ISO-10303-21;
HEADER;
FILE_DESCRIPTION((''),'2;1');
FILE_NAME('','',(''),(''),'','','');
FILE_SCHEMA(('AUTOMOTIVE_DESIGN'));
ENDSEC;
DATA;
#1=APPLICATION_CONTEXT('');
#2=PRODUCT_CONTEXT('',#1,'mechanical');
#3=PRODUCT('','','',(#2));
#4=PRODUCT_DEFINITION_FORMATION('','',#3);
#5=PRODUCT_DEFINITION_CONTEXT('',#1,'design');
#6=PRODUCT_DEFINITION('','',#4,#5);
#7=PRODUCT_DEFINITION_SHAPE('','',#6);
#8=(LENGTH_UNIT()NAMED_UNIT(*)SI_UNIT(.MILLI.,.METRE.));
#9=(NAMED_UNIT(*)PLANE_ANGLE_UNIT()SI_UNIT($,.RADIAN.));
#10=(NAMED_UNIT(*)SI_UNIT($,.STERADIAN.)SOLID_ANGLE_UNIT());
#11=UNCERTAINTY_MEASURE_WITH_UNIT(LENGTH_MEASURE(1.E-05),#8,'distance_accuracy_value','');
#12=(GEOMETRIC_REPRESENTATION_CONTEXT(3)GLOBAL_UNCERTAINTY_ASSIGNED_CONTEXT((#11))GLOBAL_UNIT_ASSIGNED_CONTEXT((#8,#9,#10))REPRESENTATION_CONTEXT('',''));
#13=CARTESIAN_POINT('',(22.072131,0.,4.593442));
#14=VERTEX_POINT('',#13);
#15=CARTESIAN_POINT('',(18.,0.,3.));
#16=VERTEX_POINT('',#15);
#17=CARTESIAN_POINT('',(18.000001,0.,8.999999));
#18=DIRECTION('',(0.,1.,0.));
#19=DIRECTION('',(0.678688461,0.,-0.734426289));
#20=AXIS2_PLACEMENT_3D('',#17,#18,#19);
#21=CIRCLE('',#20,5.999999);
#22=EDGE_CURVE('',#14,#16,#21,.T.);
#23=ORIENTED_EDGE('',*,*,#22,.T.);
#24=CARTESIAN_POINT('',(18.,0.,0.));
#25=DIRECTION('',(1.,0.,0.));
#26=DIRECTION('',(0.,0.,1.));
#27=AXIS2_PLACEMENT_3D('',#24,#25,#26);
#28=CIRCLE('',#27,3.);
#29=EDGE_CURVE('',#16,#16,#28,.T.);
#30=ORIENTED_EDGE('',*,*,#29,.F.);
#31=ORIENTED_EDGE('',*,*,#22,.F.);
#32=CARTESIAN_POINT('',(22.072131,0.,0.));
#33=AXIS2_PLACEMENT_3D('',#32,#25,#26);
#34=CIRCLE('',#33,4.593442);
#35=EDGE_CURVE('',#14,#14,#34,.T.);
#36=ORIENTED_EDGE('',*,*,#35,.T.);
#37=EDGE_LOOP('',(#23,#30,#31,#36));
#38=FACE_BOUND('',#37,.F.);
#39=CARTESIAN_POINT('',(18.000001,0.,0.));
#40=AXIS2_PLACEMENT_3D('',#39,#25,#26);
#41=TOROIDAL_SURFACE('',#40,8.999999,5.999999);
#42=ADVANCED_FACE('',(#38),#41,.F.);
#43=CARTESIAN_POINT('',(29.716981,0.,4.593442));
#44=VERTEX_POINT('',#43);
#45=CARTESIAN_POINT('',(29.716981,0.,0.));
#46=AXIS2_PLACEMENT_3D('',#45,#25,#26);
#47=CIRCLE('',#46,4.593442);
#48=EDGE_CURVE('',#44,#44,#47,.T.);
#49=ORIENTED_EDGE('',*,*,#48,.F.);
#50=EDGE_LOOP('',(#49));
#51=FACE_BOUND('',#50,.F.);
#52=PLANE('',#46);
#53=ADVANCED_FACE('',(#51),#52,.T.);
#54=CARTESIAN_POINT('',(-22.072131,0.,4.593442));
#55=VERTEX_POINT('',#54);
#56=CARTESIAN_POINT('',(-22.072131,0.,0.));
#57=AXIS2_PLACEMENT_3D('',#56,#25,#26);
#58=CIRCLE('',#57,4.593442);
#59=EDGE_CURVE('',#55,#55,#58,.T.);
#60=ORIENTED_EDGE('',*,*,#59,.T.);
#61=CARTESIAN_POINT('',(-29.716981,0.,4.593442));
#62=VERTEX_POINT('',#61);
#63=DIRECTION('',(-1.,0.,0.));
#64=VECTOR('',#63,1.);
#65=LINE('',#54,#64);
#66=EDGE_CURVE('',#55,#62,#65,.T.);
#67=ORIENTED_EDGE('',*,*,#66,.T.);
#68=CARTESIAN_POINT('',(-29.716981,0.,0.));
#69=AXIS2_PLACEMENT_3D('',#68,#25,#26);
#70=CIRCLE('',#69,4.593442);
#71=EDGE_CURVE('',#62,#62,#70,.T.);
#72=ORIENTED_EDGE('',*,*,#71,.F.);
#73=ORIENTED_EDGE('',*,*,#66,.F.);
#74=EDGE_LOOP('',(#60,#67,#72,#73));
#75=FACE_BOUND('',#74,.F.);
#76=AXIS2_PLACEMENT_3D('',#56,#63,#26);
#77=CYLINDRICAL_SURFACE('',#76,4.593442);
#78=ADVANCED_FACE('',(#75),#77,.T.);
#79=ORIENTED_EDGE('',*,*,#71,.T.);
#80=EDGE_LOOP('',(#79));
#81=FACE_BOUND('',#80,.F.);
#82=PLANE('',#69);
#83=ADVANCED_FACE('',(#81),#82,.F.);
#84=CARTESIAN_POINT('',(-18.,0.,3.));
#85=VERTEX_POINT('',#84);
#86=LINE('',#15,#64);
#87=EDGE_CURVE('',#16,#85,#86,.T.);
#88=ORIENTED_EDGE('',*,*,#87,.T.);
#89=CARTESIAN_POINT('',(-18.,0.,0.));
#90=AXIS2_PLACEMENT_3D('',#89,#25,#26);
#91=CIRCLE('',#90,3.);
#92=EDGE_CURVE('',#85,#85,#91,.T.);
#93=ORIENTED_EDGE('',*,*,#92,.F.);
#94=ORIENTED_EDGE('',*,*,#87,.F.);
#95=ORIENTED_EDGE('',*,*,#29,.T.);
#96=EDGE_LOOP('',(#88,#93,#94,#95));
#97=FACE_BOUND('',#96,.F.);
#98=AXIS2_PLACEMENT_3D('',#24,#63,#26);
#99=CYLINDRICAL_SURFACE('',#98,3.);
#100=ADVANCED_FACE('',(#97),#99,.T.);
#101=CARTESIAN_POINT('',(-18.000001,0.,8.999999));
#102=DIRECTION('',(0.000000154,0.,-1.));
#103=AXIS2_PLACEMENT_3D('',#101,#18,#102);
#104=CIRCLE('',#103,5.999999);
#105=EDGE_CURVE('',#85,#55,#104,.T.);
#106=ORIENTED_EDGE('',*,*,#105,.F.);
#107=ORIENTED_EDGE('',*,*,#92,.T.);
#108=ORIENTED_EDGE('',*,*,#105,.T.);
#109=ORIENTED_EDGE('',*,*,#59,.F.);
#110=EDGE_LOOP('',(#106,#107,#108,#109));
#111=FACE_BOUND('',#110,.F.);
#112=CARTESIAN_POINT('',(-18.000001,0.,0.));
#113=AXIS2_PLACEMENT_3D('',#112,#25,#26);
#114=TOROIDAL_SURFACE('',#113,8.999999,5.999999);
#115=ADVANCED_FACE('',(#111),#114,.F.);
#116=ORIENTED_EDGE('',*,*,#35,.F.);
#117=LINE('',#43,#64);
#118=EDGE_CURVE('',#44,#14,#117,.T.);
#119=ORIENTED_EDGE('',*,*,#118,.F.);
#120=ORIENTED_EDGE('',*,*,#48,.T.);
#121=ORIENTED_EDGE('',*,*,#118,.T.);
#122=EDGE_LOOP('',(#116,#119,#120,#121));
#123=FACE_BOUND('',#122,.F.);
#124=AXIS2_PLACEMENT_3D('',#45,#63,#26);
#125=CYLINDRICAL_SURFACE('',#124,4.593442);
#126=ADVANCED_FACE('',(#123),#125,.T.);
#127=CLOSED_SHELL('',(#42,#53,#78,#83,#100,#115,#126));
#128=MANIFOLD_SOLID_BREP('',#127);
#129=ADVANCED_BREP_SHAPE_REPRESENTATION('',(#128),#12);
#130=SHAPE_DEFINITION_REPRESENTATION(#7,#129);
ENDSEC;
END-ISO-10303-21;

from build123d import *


with BuildPart() as f1:
    # F0 (on Front) → F1 (revolve)
    with BuildSketch(Plane.XZ):
        with BuildLine():
            Line((18, 3), (0, 3))
            Line((0, 3), (-18, 3))
            ThreePointArc((-18, 3), (-20.186396, 3.412543), (-22.072131, 4.593442))
            Line((-22.072131, 4.593442), (-29.716981, 4.593442))
            Line((-29.716981, 4.593442), (-29.716981, 0))
            Line((-29.716981, 0), (0, 0))
            Line((0, 0), (29.716981, 0))
            Line((29.716981, 0), (29.716981, 4.593442))
            Line((29.716981, 4.593442), (22.072131, 4.593442))
            ThreePointArc((22.072131, 4.593442), (20.186396, 3.412543), (18, 3))
        make_face()
    revolve(axis=Axis((14.85849, 0, 0), (1, 0, 0)))


solid = f1.part
